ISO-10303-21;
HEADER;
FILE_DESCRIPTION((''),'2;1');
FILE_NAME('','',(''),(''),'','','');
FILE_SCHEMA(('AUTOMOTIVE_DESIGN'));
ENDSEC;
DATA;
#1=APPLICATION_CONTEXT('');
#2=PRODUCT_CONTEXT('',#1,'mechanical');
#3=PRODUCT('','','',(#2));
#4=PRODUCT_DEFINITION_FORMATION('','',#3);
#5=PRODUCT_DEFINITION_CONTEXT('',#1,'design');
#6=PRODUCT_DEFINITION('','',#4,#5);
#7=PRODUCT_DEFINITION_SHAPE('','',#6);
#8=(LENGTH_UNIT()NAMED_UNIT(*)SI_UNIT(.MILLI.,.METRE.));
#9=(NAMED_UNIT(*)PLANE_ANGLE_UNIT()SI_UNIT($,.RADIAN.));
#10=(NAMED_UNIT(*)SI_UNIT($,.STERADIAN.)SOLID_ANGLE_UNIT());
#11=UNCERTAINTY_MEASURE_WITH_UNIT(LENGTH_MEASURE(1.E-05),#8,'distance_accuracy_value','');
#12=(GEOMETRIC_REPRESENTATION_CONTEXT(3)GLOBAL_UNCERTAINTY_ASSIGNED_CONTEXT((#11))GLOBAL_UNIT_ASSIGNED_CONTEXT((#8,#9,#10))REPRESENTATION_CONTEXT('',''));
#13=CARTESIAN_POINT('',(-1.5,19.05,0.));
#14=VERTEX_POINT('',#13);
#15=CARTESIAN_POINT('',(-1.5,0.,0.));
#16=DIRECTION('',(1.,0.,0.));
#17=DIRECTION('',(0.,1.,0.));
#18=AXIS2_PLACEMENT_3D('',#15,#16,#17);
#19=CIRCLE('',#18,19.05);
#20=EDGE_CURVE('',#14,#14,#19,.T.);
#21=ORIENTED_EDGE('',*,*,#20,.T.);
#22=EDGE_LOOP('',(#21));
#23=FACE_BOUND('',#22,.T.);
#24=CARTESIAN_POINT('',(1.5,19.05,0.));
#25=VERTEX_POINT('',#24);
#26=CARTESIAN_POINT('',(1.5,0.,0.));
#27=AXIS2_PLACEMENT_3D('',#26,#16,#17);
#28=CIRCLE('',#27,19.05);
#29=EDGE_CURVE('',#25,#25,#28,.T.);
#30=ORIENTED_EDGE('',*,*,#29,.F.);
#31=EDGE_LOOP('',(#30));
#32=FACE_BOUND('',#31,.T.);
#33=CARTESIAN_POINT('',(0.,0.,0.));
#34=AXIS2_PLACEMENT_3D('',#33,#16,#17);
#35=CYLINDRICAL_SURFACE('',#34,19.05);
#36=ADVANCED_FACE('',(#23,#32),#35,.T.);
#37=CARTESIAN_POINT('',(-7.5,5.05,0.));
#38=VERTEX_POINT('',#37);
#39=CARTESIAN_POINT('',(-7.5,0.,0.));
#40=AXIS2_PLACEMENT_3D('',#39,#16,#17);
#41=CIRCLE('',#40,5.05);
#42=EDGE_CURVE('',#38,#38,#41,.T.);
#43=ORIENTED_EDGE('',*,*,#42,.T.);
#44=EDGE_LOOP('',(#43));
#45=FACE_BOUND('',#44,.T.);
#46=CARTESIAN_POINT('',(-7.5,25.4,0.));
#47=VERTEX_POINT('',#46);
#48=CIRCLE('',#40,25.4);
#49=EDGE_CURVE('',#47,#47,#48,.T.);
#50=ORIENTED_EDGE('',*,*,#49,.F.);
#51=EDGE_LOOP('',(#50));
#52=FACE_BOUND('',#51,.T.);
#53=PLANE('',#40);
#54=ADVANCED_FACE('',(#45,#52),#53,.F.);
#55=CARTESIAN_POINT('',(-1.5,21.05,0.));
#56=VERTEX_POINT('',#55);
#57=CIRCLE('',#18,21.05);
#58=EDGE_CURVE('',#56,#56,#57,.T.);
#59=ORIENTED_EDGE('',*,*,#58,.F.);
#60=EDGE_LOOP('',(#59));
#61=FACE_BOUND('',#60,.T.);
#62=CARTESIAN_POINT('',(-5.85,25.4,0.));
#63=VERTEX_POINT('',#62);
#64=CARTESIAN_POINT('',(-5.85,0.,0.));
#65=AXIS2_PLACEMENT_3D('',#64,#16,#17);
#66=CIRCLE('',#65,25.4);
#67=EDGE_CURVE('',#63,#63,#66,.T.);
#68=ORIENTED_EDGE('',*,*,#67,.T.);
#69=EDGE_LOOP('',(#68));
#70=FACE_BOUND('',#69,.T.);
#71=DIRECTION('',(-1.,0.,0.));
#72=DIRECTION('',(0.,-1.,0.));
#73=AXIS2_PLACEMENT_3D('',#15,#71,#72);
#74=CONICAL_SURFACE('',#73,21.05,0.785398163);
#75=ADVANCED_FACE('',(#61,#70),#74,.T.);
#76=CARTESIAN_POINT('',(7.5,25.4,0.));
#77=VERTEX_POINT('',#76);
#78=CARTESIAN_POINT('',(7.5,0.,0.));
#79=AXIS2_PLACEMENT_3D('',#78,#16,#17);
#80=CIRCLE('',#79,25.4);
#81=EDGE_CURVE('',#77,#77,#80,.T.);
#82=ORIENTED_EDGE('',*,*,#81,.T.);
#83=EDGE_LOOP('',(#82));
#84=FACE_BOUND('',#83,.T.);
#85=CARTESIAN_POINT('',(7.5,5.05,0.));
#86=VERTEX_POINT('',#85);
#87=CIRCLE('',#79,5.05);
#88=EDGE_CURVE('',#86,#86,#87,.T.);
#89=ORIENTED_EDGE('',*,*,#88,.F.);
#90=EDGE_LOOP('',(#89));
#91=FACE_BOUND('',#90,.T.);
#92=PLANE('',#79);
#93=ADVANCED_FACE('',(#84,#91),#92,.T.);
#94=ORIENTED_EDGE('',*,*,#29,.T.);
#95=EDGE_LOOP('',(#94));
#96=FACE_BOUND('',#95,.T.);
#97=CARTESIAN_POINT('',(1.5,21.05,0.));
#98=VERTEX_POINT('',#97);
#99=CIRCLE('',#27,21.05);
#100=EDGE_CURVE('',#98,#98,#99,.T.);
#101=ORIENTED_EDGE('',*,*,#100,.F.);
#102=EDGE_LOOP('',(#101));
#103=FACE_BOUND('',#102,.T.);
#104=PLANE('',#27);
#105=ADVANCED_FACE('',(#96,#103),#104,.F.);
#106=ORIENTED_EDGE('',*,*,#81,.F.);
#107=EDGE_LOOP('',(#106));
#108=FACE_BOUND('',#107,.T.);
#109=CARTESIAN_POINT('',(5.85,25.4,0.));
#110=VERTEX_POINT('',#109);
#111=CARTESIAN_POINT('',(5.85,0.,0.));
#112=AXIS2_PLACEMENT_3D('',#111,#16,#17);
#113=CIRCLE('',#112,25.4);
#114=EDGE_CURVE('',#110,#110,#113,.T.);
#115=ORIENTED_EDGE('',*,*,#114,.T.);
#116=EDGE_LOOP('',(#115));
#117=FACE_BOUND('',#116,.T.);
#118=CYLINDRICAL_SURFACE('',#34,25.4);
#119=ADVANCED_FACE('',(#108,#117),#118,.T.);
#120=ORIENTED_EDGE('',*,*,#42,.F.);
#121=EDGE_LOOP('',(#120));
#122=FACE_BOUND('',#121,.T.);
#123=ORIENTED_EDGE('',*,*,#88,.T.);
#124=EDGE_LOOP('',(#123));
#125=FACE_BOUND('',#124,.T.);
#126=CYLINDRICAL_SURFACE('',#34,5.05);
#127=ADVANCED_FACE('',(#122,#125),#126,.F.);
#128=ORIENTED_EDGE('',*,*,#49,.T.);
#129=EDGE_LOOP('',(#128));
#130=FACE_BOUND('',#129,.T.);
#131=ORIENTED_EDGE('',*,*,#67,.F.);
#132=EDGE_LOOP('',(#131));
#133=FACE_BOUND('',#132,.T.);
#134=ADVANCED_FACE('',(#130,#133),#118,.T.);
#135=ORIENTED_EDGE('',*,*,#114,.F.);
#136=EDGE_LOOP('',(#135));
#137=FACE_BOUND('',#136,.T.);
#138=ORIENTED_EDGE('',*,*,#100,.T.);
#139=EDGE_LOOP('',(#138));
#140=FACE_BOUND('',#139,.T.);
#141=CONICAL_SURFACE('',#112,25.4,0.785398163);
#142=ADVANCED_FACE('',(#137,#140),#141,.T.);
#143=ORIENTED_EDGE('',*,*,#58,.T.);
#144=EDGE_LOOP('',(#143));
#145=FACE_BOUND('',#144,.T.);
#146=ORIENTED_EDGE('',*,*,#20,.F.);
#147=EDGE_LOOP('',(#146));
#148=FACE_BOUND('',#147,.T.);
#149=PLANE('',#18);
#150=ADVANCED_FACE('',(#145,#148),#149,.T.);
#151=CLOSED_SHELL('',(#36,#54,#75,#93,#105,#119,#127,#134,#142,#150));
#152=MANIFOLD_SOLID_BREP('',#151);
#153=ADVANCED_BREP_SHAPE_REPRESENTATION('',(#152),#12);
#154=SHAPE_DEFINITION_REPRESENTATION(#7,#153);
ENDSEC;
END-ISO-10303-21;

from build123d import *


with BuildPart() as part:
    # Esboço1 → Revolução1 (revolve)
    with BuildSketch(Plane.XY, mode=Mode.PRIVATE) as revolu_o1_sk:
        Polygon((5.85, -25.4), (1.5, -21.05), (1.5, -19.05), (-1.5, -19.05), (-1.5, -21.05), (-5.85, -25.4), (-7.5, -25.4), (-7.5, -5.05), (7.5, -5.05), (7.5, -25.4), align=None)
    revolve(revolu_o1_sk.sketch.rotate(Axis((0, 0, 0), (-1, 0, 0)), 180), axis=Axis((0, 0, 0), (-1, 0, 0)))


solid = part.part
